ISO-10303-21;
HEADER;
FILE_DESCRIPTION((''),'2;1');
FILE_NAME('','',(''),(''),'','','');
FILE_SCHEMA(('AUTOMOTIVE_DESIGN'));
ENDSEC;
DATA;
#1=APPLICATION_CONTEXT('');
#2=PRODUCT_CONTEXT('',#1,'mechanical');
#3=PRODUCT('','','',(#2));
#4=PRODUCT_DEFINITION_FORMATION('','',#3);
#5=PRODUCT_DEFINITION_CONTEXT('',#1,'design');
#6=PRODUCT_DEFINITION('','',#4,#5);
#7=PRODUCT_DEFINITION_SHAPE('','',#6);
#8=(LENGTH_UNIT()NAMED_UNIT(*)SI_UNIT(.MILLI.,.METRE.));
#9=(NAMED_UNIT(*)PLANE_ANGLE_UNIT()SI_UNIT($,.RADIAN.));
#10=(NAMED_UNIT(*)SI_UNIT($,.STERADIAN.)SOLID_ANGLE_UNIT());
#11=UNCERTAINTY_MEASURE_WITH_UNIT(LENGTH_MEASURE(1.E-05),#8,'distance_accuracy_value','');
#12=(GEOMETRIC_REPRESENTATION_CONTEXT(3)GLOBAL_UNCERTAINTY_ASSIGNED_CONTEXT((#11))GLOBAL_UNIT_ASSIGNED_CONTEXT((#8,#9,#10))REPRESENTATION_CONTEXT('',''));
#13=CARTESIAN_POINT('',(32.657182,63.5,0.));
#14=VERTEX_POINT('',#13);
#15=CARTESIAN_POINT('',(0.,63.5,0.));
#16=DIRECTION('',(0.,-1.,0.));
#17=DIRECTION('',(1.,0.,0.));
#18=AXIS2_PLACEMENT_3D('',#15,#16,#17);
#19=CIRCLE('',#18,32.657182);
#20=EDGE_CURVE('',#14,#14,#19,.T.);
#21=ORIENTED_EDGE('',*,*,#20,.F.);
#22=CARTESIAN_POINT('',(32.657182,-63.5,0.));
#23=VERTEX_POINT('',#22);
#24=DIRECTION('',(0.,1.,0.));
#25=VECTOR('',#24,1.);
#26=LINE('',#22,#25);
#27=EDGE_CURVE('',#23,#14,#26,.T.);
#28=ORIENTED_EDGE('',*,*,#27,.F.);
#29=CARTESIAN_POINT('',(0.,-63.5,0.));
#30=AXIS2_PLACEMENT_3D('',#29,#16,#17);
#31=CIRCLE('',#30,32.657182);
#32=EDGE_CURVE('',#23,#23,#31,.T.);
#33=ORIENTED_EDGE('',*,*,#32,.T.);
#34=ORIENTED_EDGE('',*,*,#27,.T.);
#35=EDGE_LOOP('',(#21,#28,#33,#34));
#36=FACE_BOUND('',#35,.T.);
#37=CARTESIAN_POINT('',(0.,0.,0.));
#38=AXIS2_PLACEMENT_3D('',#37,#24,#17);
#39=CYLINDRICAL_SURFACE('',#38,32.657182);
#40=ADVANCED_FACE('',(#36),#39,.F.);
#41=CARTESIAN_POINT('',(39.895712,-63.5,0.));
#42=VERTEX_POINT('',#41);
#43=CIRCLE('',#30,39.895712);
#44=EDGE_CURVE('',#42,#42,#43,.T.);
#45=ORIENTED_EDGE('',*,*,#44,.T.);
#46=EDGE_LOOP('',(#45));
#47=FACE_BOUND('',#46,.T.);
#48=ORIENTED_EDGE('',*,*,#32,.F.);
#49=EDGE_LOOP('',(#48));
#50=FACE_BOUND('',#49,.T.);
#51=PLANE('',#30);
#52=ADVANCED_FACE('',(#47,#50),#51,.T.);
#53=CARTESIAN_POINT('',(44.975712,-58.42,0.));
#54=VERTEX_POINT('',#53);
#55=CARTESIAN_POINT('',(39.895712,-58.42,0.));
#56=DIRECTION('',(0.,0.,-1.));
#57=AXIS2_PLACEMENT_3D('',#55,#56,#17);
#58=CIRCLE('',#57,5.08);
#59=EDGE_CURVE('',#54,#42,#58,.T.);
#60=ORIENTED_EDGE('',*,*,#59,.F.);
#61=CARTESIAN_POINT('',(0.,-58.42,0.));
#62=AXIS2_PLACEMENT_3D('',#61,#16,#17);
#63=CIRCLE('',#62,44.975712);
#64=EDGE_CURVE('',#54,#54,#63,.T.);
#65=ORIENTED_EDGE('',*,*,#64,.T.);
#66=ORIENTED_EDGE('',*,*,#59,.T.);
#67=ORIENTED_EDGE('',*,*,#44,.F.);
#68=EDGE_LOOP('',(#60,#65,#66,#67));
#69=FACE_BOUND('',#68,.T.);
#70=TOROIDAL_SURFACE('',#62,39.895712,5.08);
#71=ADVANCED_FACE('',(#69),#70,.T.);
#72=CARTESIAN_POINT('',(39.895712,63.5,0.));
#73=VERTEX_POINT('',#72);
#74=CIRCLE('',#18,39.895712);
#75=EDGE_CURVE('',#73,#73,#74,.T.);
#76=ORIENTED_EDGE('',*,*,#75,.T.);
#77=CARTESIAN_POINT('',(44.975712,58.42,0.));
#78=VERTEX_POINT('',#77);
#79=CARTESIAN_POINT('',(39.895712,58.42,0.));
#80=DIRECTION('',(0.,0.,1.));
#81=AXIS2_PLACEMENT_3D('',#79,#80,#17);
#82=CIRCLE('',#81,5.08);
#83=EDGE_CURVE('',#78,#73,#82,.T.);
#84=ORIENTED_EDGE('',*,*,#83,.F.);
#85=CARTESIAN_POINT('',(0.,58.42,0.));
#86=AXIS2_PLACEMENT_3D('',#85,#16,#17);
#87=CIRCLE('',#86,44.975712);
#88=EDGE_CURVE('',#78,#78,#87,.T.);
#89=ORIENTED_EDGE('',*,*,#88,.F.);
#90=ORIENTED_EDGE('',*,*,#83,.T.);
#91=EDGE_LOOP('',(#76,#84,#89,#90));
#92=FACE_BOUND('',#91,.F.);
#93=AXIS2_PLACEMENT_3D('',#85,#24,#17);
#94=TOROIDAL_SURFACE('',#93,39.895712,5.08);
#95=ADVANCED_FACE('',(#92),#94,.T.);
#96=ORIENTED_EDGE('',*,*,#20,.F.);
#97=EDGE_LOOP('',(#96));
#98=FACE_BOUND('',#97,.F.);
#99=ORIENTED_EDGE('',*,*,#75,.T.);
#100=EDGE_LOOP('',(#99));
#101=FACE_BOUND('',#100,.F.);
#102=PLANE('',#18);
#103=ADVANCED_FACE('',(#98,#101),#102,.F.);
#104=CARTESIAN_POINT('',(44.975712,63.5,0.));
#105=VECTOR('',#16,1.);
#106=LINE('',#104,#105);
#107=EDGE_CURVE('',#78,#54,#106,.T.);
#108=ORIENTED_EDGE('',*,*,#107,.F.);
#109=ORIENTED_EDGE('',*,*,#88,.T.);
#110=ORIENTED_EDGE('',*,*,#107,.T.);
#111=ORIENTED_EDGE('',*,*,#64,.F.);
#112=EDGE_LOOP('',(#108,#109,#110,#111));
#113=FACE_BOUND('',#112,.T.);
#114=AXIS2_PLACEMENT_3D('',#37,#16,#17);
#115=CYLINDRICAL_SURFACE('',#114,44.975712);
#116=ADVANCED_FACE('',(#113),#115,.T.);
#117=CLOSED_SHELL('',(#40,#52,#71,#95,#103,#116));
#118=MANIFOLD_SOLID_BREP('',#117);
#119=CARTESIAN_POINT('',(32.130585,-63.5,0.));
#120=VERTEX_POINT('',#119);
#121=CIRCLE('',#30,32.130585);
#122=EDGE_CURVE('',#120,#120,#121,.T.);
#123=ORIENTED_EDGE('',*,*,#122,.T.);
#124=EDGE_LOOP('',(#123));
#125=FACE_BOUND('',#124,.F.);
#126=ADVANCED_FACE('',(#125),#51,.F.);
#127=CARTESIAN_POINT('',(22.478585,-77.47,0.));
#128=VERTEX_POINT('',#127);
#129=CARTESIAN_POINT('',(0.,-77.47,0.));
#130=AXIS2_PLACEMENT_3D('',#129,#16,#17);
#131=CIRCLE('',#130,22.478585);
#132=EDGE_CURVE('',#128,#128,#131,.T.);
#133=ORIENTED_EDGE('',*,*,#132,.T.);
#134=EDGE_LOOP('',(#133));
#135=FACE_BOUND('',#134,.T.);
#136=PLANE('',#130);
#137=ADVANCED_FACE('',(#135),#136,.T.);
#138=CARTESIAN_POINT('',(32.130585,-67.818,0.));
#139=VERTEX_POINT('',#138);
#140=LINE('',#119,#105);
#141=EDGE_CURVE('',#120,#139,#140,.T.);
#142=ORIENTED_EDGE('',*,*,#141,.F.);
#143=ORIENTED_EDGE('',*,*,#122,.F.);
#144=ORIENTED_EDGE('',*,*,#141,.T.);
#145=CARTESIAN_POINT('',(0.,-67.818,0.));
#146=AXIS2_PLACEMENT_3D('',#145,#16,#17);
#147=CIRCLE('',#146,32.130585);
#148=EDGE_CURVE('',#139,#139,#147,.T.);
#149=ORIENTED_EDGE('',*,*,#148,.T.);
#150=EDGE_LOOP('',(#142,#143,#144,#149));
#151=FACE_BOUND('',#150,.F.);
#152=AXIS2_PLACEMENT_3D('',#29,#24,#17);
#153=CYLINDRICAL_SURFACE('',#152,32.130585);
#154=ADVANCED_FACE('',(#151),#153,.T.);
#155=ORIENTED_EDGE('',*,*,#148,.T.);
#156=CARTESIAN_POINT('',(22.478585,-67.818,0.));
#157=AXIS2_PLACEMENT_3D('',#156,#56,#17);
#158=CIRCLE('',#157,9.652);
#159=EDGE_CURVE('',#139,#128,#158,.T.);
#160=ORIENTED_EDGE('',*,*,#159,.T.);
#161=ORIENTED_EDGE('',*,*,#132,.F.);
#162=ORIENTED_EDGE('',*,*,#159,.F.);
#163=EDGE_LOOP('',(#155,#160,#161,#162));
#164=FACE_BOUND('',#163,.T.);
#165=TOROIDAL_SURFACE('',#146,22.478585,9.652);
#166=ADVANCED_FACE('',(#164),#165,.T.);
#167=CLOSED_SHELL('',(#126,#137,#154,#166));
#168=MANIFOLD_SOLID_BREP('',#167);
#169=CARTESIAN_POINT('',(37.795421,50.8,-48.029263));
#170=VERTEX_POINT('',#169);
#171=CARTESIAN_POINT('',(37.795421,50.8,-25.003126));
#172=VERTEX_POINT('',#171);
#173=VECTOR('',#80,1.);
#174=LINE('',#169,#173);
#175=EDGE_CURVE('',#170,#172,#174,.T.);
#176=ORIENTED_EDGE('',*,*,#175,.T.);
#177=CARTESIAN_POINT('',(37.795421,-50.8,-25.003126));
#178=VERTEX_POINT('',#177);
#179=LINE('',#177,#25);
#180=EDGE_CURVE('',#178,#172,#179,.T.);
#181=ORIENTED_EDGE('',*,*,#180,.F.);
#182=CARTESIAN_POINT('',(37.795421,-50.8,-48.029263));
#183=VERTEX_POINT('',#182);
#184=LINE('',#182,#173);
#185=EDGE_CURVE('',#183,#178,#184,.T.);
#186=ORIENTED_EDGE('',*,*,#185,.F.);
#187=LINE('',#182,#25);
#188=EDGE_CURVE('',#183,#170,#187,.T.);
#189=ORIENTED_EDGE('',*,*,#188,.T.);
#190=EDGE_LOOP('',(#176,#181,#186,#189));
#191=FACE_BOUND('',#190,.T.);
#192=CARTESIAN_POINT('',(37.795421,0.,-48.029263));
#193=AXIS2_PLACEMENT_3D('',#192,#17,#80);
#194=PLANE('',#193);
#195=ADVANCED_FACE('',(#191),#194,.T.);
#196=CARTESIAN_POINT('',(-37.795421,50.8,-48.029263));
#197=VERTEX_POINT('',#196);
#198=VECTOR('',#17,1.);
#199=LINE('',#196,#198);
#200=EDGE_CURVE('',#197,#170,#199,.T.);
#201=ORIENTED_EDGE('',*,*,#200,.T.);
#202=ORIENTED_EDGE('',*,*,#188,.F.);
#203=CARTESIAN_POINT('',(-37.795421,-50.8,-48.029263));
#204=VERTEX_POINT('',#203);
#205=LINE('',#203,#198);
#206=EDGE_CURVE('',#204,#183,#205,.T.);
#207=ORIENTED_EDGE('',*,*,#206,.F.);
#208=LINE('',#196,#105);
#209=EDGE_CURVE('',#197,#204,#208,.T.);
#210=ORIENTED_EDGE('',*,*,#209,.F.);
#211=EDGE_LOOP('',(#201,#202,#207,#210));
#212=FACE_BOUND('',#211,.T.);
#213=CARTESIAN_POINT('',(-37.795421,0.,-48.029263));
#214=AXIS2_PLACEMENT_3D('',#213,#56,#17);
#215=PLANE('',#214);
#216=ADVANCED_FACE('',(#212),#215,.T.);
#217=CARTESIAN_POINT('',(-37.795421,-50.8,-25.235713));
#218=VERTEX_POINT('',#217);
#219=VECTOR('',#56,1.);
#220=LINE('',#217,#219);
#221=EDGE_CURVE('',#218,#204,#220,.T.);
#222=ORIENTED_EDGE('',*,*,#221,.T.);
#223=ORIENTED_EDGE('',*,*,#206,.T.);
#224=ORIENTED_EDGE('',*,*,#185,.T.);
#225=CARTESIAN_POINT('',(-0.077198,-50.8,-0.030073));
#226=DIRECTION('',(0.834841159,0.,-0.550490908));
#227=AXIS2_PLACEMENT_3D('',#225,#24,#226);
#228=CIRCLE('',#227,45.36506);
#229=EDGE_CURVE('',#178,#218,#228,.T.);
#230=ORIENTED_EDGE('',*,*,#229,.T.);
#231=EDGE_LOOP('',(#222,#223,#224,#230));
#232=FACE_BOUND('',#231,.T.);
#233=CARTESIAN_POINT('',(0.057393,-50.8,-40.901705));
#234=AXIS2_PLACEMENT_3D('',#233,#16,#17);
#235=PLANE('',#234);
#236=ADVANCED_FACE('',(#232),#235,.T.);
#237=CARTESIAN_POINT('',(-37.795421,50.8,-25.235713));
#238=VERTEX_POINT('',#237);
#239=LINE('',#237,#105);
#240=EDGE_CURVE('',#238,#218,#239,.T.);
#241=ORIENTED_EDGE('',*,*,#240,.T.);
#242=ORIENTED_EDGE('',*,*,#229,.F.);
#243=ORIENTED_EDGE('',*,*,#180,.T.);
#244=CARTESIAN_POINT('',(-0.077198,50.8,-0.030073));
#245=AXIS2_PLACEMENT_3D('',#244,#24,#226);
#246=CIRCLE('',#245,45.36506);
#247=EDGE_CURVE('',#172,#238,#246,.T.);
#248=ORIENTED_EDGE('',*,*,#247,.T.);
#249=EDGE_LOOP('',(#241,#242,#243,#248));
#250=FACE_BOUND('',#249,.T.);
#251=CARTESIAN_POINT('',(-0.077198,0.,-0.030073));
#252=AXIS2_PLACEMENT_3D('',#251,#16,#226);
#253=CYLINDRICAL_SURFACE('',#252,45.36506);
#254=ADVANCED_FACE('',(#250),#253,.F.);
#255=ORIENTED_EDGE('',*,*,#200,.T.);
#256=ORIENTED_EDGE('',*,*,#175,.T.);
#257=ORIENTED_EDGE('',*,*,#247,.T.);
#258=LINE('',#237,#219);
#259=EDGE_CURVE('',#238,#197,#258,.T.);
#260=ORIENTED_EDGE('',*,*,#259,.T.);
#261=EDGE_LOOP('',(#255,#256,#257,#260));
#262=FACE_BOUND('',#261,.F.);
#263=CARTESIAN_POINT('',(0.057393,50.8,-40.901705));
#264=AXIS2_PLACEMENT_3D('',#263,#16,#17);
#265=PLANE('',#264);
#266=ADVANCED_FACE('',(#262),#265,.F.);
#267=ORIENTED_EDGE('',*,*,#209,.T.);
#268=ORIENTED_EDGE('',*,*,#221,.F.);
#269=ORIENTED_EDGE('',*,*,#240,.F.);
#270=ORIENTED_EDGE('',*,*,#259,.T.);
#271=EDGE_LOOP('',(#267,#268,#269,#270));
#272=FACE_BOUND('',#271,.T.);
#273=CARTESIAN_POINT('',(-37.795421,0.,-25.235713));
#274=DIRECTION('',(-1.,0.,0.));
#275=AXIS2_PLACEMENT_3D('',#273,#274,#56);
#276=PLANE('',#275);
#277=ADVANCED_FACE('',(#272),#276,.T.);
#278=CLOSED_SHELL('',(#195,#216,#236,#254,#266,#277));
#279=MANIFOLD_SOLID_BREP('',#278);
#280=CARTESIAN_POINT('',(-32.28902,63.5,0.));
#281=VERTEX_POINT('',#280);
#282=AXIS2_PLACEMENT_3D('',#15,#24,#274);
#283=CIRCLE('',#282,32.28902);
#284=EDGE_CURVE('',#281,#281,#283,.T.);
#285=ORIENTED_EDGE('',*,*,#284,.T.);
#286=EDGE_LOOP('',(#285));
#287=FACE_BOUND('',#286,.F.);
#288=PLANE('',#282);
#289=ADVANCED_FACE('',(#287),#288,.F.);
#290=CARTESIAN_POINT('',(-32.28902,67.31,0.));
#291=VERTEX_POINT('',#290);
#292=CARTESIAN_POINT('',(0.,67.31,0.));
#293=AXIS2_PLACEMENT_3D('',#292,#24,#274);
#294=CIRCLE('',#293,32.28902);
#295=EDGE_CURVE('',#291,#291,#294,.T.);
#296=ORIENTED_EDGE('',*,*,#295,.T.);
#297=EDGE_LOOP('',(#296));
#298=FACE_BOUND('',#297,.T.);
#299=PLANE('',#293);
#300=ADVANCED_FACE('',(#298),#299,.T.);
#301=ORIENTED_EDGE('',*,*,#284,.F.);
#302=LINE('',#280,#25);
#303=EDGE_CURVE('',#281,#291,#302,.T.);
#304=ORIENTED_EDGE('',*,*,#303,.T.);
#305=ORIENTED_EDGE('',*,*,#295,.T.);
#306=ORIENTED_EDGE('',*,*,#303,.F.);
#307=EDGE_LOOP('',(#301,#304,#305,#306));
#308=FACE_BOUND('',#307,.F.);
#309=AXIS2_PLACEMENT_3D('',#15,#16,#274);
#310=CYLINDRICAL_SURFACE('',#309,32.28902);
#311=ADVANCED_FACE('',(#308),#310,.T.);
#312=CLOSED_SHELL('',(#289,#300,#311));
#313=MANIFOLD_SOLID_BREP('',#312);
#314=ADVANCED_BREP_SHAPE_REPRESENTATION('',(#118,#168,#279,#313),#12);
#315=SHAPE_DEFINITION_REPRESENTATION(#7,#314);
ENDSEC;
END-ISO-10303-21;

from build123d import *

# Parameters (mm, degrees)
F0_R      = 44.975712
F0_R_2    = 32.657182
F1_DEPTH  = 63.5
F2_R      = 32.130585
F3_DEPTH  = 13.97
F4_R      = 9.652
F5_R      = 5.08
F6_R      = 32.28902
F7_DEPTH  = 3.81
F8_R      = 5.08
F10_DEPTH = 50.8


with BuildPart() as f1:
    # F0 (on Front) → F1 (new body, symmetric)
    with BuildSketch(Plane.XZ):
        Circle(F0_R)
        Circle(F0_R_2, mode=Mode.SUBTRACT)
    extrude(amount=F1_DEPTH, both=True)

    # F5
    f5_edges = [f1.edges().sort_by_distance(p)[0] for p in [
        (-44.975712, 63.5, 0),
    ]]
    fillet(f5_edges, radius=F5_R)

    # F8
    f8_edges = [f1.edges().sort_by_distance(p)[0] for p in [
        (-44.975712, -63.5, 0),
    ]]
    fillet(f8_edges, radius=F8_R)


with BuildPart() as f3:
    # F2 (on face) → F3 (new body)
    with BuildSketch(Plane.XZ.offset(63.5)):
        Circle(F2_R)
    extrude(amount=F3_DEPTH)

    # F4
    f4_edges = [f3.edges().sort_by_distance(p)[0] for p in [
        (-32.130585, -77.47, 0),
    ]]
    fillet(f4_edges, radius=F4_R)


with BuildPart() as f7:
    # F6 (on face) → F7 (new body)
    with BuildSketch(Plane(origin=(0, 63.5, 0), x_dir=(-1, 0, 0), z_dir=(0, 1, 0))):
        Circle(F6_R)
    extrude(amount=F7_DEPTH)


with BuildPart() as f10:
    # F9 (on Front) → F10 (new body, symmetric)
    with BuildSketch(Plane.XZ):
        with BuildLine():
            ThreePointArc((37.795421, -25.003126), (0.062386, -45.394918), (-37.795421, -25.235713))
            Line((-37.795421, -25.235713), (-37.795421, -48.029263))
            Line((-37.795421, -48.029263), (37.795421, -48.029263))
            Line((37.795421, -48.029263), (37.795421, -25.003126))
        make_face()
    extrude(amount=F10_DEPTH, both=True)


solid = Compound([f1.part, f3.part, f7.part, f10.part])
